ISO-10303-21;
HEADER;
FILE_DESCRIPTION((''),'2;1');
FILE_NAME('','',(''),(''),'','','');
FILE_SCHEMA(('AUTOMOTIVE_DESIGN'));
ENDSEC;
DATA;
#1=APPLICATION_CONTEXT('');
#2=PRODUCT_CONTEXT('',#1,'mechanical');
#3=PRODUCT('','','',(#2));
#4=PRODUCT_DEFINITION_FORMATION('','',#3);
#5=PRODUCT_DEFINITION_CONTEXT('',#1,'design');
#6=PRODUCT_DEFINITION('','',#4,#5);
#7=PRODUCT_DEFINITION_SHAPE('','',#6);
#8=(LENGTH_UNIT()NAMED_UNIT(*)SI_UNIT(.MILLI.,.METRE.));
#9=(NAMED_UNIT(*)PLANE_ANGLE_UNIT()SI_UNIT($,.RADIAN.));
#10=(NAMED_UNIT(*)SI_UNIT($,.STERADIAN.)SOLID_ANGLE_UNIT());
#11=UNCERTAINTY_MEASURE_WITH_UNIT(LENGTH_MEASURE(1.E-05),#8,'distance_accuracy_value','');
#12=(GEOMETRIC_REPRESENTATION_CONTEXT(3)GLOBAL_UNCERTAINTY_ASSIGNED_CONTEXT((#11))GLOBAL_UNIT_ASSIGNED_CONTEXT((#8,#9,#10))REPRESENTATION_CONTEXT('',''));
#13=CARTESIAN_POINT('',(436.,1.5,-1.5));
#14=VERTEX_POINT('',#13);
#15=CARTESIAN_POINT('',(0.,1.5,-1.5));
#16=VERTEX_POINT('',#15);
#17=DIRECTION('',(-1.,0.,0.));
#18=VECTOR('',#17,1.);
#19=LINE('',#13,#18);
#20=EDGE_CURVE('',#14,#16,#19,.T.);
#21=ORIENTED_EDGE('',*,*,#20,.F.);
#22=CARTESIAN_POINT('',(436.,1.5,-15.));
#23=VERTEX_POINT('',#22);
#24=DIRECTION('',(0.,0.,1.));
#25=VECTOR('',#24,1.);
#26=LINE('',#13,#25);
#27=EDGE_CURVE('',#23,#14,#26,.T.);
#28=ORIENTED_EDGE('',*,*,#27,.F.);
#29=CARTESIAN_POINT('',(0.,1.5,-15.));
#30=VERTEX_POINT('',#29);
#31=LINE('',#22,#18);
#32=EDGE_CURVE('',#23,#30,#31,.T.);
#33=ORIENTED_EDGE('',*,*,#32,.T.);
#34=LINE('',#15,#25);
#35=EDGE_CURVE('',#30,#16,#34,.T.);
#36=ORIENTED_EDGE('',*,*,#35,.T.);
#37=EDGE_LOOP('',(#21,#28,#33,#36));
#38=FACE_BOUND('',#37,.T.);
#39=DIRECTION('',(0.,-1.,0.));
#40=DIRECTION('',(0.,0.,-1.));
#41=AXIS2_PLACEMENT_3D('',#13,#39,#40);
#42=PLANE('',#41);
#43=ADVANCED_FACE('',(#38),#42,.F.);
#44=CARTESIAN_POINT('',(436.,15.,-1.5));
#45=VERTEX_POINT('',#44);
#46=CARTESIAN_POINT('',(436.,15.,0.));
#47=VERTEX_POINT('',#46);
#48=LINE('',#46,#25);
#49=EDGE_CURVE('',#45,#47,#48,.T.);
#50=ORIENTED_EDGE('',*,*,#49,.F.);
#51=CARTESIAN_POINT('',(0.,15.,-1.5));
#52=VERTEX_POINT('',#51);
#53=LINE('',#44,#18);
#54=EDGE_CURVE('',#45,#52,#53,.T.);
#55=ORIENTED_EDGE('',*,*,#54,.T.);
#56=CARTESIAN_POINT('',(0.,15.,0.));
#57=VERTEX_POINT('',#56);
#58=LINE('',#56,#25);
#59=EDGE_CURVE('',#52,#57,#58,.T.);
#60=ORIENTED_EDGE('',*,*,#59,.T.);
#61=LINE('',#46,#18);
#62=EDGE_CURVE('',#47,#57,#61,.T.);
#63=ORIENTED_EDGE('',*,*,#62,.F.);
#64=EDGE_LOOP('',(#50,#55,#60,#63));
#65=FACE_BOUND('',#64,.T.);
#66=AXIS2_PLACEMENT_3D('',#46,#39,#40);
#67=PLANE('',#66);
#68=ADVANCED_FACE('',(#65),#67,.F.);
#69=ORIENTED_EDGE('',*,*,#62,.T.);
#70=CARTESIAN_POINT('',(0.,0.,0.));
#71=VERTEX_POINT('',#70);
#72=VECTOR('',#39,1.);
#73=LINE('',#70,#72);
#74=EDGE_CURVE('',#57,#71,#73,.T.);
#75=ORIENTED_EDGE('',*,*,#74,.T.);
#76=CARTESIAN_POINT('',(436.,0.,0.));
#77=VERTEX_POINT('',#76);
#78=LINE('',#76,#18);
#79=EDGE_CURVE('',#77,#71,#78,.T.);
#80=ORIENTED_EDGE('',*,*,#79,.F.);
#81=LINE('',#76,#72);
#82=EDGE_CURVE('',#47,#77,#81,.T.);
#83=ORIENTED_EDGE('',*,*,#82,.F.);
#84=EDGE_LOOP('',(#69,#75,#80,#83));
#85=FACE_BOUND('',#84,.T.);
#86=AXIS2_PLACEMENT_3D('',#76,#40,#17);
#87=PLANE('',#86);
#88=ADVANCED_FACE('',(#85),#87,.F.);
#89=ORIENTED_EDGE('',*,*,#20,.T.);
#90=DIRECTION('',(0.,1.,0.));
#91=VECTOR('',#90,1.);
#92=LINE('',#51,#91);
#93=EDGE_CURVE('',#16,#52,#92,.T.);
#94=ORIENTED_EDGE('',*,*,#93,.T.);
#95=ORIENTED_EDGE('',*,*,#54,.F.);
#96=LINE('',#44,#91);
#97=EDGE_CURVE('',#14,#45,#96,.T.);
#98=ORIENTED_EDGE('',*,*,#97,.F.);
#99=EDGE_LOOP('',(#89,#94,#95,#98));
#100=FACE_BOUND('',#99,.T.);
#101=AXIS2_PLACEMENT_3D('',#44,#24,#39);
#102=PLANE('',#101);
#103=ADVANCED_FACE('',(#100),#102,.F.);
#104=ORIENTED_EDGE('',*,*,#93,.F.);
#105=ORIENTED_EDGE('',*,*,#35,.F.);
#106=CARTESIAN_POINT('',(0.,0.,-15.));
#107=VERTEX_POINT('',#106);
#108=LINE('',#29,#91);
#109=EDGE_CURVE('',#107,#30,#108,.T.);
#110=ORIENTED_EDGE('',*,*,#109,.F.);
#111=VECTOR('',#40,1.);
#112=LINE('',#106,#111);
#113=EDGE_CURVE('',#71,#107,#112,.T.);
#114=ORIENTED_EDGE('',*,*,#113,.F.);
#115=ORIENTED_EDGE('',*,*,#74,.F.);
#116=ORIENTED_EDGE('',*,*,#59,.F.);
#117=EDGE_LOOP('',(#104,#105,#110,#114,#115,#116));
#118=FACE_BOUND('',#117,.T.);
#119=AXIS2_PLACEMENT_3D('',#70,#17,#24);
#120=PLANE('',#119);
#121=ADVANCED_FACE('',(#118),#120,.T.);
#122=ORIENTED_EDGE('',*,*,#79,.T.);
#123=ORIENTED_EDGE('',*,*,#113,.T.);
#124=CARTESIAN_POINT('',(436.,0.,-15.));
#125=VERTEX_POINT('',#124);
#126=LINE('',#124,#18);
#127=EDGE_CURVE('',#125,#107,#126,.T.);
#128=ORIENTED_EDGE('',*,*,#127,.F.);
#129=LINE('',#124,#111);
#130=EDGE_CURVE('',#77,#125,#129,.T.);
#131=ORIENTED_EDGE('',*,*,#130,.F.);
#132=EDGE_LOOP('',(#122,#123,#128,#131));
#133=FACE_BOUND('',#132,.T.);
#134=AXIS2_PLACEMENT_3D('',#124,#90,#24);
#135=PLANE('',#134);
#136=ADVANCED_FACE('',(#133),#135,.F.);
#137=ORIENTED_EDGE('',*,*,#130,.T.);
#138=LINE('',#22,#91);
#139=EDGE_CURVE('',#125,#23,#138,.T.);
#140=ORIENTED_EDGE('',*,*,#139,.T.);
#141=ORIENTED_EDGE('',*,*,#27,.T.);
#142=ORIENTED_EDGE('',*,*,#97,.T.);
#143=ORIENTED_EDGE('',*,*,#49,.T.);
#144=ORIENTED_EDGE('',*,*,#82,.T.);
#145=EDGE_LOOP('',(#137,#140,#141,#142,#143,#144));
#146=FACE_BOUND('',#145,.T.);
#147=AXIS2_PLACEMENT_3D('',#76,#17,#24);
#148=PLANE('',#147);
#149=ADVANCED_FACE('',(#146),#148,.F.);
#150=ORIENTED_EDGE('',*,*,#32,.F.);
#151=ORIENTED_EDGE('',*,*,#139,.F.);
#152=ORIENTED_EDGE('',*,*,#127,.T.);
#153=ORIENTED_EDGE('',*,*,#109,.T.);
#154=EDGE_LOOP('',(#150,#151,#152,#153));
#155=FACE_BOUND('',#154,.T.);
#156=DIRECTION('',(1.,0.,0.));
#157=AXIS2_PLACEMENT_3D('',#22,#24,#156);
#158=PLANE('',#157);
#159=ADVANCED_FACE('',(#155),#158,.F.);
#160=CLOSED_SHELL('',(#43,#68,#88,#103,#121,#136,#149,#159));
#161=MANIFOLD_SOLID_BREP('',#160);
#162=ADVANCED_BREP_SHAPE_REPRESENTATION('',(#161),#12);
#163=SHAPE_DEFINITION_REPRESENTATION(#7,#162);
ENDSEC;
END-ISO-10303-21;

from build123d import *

# Parameters (mm, degrees)
EXTRUDE_1_DEPTH = 436


with BuildPart() as part:
    # Эскиз1 → Бобышка-Вытянуть1 (new body)
    with BuildSketch(Plane(origin=(0, 0, 0), x_dir=(0, 0, -1), z_dir=(1, 0, 0))):
        Polygon((0, 0), (0, 15), (1.5, 15), (1.5, 1.5), (15, 1.5), (15, 0), align=None)
    extrude(amount=EXTRUDE_1_DEPTH)


solid = part.part
